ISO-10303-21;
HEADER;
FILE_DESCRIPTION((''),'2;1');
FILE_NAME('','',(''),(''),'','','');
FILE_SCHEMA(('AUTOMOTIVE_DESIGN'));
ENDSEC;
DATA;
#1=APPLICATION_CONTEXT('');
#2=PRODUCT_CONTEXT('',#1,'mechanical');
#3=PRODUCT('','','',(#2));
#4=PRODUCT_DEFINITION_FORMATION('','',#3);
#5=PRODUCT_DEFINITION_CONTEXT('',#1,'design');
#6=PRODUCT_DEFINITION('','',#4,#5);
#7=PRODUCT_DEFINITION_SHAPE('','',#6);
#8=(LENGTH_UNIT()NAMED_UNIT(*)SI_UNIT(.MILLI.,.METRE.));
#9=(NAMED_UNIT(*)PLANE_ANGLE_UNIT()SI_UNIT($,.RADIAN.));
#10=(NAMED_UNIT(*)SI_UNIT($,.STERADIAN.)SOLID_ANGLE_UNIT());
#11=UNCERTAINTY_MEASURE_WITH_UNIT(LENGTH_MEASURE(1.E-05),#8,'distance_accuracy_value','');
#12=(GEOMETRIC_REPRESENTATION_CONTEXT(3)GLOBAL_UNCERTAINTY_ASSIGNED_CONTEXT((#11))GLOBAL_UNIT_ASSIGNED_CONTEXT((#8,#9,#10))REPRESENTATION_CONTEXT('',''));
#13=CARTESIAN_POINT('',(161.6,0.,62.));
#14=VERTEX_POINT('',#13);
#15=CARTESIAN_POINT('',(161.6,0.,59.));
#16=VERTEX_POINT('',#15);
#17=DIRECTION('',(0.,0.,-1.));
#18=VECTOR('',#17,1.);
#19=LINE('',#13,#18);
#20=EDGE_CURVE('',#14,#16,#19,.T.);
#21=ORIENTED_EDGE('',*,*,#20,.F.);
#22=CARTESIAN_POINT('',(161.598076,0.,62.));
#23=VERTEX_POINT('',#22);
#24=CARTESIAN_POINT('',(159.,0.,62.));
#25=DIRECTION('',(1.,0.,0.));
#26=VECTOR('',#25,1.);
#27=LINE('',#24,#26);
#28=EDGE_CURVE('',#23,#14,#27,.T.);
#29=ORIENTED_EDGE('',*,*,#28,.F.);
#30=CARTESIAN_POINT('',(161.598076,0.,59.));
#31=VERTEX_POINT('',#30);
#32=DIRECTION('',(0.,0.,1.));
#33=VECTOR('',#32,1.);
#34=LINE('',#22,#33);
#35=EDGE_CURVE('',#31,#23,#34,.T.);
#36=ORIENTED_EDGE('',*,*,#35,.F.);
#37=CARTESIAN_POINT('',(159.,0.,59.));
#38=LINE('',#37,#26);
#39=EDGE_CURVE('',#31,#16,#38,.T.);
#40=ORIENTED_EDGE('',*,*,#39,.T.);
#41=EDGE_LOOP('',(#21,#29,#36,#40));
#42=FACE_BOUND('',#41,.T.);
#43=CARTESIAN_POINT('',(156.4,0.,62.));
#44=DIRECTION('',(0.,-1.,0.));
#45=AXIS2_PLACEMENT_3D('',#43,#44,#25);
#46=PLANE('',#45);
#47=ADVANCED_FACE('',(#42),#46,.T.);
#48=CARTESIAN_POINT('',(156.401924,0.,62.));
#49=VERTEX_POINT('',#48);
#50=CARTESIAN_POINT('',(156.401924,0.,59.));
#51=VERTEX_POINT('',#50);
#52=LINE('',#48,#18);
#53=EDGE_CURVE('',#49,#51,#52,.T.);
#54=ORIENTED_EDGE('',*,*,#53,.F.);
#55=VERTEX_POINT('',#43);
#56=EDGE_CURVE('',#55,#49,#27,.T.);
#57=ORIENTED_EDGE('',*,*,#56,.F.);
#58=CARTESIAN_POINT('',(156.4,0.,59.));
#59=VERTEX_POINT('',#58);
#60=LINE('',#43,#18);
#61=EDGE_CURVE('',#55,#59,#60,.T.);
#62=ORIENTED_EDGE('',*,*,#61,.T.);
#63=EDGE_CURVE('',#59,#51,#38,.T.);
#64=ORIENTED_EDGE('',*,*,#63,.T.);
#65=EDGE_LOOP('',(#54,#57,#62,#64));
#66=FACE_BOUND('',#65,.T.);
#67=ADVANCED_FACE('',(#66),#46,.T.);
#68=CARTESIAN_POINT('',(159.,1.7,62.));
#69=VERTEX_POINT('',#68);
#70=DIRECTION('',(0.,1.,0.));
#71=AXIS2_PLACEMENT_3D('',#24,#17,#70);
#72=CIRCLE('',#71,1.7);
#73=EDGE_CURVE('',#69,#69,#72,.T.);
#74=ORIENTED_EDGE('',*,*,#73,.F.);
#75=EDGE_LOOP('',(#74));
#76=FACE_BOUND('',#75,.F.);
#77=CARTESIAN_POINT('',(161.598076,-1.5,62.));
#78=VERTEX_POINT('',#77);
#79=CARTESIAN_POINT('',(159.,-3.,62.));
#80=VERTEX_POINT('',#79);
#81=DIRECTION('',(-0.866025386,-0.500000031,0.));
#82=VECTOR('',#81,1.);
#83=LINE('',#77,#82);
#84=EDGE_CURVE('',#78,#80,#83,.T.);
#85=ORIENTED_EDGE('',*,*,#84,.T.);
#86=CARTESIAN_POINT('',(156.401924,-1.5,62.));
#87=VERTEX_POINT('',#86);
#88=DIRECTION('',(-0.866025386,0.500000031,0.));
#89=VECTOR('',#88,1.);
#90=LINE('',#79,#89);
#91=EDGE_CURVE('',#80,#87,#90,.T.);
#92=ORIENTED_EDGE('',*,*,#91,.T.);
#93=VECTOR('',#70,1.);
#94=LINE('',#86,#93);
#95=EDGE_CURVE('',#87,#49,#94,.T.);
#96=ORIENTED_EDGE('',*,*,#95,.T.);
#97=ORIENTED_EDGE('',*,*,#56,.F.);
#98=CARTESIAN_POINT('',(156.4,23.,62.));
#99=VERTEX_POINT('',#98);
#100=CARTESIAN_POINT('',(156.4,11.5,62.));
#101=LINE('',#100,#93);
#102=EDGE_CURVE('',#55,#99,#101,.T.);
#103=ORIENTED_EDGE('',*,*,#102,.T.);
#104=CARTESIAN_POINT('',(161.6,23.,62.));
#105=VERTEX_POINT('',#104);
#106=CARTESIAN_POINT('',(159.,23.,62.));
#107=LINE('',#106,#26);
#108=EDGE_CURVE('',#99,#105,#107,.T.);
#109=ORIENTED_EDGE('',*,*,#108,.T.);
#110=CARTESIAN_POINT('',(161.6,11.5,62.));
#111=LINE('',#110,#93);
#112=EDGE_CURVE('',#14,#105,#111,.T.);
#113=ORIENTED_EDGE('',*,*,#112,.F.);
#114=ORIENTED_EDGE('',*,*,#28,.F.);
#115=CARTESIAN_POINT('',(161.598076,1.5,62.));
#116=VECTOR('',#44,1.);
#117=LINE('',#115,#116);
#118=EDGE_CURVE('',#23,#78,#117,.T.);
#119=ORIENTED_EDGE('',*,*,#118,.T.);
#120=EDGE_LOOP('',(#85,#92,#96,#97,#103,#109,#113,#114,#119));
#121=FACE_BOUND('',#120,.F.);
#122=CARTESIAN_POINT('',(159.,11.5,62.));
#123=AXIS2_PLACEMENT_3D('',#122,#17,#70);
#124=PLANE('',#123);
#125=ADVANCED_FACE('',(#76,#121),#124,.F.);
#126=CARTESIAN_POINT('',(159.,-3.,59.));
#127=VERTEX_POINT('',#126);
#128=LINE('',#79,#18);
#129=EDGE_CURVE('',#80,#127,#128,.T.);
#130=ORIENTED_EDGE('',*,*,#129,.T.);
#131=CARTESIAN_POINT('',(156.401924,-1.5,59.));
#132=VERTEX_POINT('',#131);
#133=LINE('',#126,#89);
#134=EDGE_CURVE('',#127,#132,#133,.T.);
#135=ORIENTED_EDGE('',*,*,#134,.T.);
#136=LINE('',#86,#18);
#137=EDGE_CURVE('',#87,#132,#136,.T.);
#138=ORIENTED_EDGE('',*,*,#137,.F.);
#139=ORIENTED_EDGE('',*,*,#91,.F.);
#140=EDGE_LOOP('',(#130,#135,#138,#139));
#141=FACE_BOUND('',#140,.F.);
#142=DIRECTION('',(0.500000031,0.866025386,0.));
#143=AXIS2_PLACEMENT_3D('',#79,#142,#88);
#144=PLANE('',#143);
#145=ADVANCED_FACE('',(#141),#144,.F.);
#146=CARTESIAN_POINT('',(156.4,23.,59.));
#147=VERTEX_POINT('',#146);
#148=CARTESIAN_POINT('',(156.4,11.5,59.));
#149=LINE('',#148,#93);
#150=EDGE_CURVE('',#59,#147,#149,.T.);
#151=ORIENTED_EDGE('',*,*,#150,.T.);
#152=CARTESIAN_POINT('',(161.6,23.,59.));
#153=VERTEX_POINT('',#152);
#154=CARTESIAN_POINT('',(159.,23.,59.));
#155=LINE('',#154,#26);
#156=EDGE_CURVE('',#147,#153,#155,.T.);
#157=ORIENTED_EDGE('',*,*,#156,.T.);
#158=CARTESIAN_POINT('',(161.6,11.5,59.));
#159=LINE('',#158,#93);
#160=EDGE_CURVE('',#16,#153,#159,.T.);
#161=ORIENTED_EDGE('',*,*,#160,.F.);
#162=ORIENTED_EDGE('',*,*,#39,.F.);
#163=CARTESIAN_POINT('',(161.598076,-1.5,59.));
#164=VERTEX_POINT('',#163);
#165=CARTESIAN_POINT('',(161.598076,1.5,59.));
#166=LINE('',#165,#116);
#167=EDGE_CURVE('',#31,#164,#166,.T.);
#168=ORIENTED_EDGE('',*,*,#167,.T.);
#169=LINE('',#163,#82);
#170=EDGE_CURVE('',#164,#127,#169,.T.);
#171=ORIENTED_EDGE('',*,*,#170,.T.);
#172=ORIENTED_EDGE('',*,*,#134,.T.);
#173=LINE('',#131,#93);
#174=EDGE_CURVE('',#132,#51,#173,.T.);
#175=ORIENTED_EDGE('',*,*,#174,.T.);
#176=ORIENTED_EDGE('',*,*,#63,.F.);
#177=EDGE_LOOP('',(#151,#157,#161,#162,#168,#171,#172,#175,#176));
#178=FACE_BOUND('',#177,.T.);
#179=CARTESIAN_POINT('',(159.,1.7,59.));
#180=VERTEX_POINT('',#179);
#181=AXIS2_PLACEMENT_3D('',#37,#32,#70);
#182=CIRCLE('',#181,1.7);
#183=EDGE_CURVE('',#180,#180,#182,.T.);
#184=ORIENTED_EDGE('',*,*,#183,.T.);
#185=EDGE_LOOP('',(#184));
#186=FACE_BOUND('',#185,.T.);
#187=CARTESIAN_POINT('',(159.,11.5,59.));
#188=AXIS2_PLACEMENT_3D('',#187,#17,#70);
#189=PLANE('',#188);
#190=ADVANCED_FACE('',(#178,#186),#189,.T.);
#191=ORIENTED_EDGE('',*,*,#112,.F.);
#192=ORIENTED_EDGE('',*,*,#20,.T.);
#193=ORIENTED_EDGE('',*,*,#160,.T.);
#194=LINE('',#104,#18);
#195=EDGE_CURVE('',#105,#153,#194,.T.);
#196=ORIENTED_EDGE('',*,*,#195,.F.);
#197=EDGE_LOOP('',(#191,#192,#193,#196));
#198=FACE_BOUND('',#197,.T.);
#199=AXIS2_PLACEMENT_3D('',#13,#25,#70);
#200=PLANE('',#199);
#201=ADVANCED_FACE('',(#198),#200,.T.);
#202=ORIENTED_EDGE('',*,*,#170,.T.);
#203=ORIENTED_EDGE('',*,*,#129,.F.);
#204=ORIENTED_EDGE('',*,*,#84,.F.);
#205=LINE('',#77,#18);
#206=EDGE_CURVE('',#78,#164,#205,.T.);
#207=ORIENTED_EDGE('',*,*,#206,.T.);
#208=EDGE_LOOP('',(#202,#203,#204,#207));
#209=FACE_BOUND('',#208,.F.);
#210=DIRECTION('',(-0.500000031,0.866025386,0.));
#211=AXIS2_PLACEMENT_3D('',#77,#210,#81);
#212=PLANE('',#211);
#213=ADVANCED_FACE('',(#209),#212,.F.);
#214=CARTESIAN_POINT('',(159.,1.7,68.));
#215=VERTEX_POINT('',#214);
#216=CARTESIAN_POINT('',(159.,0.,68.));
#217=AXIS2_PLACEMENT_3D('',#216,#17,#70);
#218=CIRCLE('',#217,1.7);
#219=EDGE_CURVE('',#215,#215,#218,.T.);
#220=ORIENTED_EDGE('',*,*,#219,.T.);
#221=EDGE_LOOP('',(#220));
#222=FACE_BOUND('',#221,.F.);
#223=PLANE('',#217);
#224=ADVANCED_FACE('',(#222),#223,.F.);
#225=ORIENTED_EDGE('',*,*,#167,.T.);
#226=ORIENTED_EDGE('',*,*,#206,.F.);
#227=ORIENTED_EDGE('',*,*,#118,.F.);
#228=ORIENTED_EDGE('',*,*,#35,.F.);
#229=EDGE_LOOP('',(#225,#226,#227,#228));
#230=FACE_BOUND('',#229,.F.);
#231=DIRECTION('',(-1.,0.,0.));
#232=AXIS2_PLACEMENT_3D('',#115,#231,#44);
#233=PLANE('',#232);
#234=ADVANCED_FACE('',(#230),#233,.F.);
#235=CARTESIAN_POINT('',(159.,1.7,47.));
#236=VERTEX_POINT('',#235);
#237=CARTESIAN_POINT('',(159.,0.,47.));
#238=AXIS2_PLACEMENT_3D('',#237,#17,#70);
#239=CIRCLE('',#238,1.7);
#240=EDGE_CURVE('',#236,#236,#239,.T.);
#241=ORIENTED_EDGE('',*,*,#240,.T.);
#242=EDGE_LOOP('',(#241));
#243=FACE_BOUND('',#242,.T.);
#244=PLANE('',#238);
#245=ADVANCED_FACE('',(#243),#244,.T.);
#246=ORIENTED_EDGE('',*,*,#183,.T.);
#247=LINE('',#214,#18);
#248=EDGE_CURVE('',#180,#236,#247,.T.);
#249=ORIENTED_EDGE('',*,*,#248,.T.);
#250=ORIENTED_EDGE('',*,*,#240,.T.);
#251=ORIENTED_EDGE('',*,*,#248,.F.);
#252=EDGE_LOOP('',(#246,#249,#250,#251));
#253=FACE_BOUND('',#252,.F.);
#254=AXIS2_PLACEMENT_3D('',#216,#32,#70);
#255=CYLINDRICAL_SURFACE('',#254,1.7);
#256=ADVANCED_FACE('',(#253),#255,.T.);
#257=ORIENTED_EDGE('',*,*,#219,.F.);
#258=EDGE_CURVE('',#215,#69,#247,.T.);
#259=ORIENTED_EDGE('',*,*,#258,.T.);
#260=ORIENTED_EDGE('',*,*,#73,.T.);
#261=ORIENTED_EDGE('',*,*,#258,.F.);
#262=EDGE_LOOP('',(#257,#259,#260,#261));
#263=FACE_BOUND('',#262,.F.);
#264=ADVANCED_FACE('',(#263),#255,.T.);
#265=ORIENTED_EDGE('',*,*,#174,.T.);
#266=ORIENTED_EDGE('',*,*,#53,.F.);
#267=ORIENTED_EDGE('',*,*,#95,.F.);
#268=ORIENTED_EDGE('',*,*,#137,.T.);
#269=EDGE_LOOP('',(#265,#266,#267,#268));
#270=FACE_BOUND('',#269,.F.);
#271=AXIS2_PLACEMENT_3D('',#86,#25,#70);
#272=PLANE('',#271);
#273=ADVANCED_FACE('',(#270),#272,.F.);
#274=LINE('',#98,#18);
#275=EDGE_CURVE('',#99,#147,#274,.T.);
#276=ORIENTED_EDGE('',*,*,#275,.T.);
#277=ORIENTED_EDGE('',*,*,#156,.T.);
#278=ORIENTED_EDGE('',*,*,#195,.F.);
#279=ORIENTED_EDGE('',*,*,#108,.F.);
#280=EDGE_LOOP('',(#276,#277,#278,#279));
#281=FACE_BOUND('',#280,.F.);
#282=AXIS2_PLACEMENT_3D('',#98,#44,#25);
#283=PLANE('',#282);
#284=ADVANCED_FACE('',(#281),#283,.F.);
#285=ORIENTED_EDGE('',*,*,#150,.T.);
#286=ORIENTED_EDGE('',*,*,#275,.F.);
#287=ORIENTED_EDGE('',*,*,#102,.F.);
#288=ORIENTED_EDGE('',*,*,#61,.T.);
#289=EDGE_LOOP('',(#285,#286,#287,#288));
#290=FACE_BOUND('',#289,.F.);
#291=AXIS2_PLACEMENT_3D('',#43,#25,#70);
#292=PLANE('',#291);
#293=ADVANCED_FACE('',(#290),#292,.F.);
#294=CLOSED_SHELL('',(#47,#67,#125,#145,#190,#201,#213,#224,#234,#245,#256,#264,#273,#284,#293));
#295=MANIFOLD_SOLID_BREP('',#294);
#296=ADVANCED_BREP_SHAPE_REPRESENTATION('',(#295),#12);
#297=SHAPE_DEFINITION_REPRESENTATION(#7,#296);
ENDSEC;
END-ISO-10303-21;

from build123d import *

# Parameters (mm, degrees)
CYLINDER025_R             = 1.7
CYLINDER025_DEPTH         = 21
BOX006_W                  = 23
BOX006_H                  = 5.2
BOX006_DEPTH              = 3
PRISM002_DEPTH            = 3
FUSION008_ROLL_ANGLE      = 180
FUSION008_PLACEMENT_ANGLE = 90


with BuildPart() as cilindro025:
    # Cylinder025 → Cylinder025 (new body)
    with BuildSketch(Plane.XY.offset(-6)):
        Circle(CYLINDER025_R)
    extrude(amount=CYLINDER025_DEPTH)


with BuildPart() as cubo005:
    # Box006 → Box006 (new body)
    with BuildSketch(Plane(origin=(0, -2.6, 0), x_dir=(1, 0, 0), z_dir=(0, 0, 1))):
        with Locations((11.5, 2.6)):
            Rectangle(BOX006_W, BOX006_H)
    extrude(amount=BOX006_DEPTH)


with BuildPart() as hueco_tornillo002:
    # Prism002 → Prism002 (new body)
    with BuildSketch(Plane.XY):
        Polygon((3, 0), (1.5, 2.598076), (-1.5, 2.598076), (-3, 0), (-1.5, -2.598076), (1.5, -2.598076), align=None)
    extrude(amount=PRISM002_DEPTH)

    # Fusion008: union Cilindro025, Cubo005
    add(cilindro025.part)
    add(cubo005.part)


with BuildPart() as hueco_tornillo002_1:
    # Fusion008 roll: moved
    add(hueco_tornillo002.part.rotate(Axis((0, 0, 0), (1, 0, 0)), FUSION008_ROLL_ANGLE))


with BuildPart() as hueco_tornillo002_2:
    # Fusion008 placement: moved
    add(hueco_tornillo002_1.part.moved(Location((159, 0, 62))).rotate(Axis((159, 0, 62), (0, 0, 1)), FUSION008_PLACEMENT_ANGLE))


solid = hueco_tornillo002_2.part
